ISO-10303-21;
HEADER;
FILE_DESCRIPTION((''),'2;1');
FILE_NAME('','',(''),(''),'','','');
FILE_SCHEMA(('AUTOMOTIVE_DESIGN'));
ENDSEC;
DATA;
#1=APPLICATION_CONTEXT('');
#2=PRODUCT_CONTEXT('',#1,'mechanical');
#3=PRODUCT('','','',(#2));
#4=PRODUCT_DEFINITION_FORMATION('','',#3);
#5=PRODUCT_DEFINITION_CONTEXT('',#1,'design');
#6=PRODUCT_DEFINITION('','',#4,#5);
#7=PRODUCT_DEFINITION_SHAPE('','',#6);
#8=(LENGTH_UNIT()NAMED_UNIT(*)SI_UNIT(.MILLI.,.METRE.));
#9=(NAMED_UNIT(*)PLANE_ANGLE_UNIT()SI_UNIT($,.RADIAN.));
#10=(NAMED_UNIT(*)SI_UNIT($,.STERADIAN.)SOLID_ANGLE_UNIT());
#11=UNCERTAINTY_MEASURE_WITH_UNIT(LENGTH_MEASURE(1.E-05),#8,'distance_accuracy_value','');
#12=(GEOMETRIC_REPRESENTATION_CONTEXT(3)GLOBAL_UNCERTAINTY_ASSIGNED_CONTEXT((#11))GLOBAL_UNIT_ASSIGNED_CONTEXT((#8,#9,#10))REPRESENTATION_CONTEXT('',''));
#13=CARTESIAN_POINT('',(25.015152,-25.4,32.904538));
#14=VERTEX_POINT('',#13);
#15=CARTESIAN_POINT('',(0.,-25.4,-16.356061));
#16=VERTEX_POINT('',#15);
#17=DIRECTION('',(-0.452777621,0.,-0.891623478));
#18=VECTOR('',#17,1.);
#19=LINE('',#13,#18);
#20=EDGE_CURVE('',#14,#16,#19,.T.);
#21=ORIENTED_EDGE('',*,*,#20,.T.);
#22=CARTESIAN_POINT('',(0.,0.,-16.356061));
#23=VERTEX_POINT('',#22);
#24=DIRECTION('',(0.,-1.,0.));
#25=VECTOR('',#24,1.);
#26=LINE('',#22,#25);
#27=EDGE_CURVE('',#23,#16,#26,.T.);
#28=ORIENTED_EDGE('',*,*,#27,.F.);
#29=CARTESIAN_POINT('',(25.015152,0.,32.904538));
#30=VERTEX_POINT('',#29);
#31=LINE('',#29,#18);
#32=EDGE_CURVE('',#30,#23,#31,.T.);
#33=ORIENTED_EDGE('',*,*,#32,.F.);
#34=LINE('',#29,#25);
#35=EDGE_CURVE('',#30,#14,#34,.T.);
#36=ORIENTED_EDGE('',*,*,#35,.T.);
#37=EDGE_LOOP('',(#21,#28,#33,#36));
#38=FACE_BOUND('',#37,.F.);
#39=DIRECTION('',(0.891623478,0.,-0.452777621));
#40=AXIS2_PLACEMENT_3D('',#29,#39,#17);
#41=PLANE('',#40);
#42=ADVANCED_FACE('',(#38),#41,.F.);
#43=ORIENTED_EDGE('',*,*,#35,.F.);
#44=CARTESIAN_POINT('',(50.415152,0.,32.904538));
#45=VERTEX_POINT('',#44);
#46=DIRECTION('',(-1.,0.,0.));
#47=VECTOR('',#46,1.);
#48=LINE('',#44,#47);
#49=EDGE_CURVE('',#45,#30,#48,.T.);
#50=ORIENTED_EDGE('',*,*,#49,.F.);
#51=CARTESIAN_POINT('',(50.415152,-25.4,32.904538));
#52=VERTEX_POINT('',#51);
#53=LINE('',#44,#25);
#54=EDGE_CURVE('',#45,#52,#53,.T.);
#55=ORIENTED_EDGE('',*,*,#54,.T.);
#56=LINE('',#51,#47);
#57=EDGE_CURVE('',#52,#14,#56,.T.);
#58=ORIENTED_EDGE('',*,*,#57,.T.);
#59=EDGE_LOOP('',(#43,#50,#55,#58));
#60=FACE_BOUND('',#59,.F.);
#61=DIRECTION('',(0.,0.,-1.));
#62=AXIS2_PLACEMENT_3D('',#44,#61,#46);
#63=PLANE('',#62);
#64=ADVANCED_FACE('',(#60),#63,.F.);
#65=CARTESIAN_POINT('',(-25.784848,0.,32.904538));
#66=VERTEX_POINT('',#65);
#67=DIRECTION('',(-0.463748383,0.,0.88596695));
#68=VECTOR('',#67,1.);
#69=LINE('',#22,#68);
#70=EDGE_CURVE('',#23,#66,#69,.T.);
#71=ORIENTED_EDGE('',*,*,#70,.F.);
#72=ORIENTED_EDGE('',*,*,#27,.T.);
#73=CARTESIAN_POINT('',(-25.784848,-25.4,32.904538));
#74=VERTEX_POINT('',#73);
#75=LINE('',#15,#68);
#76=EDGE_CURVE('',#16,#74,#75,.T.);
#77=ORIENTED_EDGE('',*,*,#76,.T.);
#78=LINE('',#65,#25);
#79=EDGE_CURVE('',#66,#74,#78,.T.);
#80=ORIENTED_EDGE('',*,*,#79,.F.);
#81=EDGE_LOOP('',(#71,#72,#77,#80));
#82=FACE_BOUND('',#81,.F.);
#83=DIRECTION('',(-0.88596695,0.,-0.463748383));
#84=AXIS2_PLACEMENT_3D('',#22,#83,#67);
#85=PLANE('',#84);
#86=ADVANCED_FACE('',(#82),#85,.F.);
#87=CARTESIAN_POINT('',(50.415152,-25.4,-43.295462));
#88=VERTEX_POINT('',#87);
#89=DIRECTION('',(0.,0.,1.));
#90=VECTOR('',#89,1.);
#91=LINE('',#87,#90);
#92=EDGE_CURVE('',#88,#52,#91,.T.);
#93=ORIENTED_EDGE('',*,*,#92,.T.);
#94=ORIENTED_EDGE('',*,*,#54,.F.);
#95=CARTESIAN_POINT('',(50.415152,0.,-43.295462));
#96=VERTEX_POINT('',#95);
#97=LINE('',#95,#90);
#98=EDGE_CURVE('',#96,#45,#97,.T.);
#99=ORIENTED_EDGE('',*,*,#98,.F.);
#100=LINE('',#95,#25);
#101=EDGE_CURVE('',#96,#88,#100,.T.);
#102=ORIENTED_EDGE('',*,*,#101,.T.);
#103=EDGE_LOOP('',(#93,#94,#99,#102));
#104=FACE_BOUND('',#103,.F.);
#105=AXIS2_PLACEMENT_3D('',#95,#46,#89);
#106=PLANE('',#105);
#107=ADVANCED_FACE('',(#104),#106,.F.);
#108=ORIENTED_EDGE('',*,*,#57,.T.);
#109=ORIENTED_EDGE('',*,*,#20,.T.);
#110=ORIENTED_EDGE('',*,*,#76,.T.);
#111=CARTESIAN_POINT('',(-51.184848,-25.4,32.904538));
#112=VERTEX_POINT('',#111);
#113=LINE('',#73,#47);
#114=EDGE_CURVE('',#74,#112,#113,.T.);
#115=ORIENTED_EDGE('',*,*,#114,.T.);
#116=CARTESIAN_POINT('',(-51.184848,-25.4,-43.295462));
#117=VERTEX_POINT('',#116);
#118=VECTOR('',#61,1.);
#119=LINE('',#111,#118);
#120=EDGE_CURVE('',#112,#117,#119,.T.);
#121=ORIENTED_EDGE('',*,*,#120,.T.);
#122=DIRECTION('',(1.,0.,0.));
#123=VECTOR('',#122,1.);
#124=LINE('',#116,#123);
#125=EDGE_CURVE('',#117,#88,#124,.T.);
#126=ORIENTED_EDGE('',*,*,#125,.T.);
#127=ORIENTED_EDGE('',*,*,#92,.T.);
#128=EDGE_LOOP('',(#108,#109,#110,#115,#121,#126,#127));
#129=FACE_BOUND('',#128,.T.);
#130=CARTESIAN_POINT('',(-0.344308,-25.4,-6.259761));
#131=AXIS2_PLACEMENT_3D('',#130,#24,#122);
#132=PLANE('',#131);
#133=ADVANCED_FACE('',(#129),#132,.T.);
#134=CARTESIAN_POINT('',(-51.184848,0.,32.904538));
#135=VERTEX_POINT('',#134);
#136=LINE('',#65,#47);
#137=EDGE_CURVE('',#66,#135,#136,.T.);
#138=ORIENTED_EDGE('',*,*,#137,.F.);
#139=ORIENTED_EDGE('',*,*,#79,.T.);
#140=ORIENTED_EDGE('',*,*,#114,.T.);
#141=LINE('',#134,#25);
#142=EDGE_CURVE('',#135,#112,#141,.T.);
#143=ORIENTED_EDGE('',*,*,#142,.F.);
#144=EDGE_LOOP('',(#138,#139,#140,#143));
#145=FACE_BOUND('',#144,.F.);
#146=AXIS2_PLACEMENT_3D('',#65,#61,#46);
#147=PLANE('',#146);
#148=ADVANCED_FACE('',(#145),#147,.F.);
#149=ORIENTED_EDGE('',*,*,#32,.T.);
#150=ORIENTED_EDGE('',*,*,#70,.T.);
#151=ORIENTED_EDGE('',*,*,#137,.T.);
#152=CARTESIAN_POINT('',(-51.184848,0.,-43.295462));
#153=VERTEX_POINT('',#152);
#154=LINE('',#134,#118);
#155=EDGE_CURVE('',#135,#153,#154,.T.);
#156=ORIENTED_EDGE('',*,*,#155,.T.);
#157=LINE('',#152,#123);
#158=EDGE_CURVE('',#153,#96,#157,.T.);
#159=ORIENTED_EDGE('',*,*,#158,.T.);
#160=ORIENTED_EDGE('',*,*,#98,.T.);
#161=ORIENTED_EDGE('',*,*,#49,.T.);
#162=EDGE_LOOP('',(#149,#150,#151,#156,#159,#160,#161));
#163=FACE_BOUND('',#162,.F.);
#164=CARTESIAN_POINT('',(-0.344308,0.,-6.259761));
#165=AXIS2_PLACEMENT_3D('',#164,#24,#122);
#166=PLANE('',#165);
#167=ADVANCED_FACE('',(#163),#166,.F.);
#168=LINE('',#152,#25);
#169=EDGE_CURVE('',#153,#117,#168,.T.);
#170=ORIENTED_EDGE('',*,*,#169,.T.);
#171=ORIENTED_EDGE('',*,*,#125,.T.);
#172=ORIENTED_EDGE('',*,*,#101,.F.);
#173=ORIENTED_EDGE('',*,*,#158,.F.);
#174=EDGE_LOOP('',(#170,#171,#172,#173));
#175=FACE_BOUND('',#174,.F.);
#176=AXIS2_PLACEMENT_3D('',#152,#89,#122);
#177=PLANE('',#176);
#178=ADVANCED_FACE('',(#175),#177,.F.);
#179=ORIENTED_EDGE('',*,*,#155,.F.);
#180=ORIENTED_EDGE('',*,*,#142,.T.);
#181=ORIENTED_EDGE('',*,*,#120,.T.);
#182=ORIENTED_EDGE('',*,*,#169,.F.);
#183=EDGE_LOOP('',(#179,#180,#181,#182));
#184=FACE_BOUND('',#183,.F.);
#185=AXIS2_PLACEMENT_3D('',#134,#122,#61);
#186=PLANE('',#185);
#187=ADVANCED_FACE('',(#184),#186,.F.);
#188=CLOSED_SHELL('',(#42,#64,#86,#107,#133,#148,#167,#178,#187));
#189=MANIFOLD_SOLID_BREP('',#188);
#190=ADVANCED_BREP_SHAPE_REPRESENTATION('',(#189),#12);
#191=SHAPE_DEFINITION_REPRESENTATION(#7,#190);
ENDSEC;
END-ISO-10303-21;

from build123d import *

# Parameters (mm, degrees)
F1_DEPTH = 25.4


with BuildPart() as f1:
    # F0 (on Front) → F1 (new body)
    with BuildSketch(Plane.XZ):
        Polygon((-51.184848, 32.904538), (-51.184848, -43.295462), (50.415152, -43.295462), (50.415152, 32.904538), (25.015152, 32.904538), (0, -16.356061), (-25.784848, 32.904538), align=None)
    extrude(amount=F1_DEPTH)


solid = f1.part
